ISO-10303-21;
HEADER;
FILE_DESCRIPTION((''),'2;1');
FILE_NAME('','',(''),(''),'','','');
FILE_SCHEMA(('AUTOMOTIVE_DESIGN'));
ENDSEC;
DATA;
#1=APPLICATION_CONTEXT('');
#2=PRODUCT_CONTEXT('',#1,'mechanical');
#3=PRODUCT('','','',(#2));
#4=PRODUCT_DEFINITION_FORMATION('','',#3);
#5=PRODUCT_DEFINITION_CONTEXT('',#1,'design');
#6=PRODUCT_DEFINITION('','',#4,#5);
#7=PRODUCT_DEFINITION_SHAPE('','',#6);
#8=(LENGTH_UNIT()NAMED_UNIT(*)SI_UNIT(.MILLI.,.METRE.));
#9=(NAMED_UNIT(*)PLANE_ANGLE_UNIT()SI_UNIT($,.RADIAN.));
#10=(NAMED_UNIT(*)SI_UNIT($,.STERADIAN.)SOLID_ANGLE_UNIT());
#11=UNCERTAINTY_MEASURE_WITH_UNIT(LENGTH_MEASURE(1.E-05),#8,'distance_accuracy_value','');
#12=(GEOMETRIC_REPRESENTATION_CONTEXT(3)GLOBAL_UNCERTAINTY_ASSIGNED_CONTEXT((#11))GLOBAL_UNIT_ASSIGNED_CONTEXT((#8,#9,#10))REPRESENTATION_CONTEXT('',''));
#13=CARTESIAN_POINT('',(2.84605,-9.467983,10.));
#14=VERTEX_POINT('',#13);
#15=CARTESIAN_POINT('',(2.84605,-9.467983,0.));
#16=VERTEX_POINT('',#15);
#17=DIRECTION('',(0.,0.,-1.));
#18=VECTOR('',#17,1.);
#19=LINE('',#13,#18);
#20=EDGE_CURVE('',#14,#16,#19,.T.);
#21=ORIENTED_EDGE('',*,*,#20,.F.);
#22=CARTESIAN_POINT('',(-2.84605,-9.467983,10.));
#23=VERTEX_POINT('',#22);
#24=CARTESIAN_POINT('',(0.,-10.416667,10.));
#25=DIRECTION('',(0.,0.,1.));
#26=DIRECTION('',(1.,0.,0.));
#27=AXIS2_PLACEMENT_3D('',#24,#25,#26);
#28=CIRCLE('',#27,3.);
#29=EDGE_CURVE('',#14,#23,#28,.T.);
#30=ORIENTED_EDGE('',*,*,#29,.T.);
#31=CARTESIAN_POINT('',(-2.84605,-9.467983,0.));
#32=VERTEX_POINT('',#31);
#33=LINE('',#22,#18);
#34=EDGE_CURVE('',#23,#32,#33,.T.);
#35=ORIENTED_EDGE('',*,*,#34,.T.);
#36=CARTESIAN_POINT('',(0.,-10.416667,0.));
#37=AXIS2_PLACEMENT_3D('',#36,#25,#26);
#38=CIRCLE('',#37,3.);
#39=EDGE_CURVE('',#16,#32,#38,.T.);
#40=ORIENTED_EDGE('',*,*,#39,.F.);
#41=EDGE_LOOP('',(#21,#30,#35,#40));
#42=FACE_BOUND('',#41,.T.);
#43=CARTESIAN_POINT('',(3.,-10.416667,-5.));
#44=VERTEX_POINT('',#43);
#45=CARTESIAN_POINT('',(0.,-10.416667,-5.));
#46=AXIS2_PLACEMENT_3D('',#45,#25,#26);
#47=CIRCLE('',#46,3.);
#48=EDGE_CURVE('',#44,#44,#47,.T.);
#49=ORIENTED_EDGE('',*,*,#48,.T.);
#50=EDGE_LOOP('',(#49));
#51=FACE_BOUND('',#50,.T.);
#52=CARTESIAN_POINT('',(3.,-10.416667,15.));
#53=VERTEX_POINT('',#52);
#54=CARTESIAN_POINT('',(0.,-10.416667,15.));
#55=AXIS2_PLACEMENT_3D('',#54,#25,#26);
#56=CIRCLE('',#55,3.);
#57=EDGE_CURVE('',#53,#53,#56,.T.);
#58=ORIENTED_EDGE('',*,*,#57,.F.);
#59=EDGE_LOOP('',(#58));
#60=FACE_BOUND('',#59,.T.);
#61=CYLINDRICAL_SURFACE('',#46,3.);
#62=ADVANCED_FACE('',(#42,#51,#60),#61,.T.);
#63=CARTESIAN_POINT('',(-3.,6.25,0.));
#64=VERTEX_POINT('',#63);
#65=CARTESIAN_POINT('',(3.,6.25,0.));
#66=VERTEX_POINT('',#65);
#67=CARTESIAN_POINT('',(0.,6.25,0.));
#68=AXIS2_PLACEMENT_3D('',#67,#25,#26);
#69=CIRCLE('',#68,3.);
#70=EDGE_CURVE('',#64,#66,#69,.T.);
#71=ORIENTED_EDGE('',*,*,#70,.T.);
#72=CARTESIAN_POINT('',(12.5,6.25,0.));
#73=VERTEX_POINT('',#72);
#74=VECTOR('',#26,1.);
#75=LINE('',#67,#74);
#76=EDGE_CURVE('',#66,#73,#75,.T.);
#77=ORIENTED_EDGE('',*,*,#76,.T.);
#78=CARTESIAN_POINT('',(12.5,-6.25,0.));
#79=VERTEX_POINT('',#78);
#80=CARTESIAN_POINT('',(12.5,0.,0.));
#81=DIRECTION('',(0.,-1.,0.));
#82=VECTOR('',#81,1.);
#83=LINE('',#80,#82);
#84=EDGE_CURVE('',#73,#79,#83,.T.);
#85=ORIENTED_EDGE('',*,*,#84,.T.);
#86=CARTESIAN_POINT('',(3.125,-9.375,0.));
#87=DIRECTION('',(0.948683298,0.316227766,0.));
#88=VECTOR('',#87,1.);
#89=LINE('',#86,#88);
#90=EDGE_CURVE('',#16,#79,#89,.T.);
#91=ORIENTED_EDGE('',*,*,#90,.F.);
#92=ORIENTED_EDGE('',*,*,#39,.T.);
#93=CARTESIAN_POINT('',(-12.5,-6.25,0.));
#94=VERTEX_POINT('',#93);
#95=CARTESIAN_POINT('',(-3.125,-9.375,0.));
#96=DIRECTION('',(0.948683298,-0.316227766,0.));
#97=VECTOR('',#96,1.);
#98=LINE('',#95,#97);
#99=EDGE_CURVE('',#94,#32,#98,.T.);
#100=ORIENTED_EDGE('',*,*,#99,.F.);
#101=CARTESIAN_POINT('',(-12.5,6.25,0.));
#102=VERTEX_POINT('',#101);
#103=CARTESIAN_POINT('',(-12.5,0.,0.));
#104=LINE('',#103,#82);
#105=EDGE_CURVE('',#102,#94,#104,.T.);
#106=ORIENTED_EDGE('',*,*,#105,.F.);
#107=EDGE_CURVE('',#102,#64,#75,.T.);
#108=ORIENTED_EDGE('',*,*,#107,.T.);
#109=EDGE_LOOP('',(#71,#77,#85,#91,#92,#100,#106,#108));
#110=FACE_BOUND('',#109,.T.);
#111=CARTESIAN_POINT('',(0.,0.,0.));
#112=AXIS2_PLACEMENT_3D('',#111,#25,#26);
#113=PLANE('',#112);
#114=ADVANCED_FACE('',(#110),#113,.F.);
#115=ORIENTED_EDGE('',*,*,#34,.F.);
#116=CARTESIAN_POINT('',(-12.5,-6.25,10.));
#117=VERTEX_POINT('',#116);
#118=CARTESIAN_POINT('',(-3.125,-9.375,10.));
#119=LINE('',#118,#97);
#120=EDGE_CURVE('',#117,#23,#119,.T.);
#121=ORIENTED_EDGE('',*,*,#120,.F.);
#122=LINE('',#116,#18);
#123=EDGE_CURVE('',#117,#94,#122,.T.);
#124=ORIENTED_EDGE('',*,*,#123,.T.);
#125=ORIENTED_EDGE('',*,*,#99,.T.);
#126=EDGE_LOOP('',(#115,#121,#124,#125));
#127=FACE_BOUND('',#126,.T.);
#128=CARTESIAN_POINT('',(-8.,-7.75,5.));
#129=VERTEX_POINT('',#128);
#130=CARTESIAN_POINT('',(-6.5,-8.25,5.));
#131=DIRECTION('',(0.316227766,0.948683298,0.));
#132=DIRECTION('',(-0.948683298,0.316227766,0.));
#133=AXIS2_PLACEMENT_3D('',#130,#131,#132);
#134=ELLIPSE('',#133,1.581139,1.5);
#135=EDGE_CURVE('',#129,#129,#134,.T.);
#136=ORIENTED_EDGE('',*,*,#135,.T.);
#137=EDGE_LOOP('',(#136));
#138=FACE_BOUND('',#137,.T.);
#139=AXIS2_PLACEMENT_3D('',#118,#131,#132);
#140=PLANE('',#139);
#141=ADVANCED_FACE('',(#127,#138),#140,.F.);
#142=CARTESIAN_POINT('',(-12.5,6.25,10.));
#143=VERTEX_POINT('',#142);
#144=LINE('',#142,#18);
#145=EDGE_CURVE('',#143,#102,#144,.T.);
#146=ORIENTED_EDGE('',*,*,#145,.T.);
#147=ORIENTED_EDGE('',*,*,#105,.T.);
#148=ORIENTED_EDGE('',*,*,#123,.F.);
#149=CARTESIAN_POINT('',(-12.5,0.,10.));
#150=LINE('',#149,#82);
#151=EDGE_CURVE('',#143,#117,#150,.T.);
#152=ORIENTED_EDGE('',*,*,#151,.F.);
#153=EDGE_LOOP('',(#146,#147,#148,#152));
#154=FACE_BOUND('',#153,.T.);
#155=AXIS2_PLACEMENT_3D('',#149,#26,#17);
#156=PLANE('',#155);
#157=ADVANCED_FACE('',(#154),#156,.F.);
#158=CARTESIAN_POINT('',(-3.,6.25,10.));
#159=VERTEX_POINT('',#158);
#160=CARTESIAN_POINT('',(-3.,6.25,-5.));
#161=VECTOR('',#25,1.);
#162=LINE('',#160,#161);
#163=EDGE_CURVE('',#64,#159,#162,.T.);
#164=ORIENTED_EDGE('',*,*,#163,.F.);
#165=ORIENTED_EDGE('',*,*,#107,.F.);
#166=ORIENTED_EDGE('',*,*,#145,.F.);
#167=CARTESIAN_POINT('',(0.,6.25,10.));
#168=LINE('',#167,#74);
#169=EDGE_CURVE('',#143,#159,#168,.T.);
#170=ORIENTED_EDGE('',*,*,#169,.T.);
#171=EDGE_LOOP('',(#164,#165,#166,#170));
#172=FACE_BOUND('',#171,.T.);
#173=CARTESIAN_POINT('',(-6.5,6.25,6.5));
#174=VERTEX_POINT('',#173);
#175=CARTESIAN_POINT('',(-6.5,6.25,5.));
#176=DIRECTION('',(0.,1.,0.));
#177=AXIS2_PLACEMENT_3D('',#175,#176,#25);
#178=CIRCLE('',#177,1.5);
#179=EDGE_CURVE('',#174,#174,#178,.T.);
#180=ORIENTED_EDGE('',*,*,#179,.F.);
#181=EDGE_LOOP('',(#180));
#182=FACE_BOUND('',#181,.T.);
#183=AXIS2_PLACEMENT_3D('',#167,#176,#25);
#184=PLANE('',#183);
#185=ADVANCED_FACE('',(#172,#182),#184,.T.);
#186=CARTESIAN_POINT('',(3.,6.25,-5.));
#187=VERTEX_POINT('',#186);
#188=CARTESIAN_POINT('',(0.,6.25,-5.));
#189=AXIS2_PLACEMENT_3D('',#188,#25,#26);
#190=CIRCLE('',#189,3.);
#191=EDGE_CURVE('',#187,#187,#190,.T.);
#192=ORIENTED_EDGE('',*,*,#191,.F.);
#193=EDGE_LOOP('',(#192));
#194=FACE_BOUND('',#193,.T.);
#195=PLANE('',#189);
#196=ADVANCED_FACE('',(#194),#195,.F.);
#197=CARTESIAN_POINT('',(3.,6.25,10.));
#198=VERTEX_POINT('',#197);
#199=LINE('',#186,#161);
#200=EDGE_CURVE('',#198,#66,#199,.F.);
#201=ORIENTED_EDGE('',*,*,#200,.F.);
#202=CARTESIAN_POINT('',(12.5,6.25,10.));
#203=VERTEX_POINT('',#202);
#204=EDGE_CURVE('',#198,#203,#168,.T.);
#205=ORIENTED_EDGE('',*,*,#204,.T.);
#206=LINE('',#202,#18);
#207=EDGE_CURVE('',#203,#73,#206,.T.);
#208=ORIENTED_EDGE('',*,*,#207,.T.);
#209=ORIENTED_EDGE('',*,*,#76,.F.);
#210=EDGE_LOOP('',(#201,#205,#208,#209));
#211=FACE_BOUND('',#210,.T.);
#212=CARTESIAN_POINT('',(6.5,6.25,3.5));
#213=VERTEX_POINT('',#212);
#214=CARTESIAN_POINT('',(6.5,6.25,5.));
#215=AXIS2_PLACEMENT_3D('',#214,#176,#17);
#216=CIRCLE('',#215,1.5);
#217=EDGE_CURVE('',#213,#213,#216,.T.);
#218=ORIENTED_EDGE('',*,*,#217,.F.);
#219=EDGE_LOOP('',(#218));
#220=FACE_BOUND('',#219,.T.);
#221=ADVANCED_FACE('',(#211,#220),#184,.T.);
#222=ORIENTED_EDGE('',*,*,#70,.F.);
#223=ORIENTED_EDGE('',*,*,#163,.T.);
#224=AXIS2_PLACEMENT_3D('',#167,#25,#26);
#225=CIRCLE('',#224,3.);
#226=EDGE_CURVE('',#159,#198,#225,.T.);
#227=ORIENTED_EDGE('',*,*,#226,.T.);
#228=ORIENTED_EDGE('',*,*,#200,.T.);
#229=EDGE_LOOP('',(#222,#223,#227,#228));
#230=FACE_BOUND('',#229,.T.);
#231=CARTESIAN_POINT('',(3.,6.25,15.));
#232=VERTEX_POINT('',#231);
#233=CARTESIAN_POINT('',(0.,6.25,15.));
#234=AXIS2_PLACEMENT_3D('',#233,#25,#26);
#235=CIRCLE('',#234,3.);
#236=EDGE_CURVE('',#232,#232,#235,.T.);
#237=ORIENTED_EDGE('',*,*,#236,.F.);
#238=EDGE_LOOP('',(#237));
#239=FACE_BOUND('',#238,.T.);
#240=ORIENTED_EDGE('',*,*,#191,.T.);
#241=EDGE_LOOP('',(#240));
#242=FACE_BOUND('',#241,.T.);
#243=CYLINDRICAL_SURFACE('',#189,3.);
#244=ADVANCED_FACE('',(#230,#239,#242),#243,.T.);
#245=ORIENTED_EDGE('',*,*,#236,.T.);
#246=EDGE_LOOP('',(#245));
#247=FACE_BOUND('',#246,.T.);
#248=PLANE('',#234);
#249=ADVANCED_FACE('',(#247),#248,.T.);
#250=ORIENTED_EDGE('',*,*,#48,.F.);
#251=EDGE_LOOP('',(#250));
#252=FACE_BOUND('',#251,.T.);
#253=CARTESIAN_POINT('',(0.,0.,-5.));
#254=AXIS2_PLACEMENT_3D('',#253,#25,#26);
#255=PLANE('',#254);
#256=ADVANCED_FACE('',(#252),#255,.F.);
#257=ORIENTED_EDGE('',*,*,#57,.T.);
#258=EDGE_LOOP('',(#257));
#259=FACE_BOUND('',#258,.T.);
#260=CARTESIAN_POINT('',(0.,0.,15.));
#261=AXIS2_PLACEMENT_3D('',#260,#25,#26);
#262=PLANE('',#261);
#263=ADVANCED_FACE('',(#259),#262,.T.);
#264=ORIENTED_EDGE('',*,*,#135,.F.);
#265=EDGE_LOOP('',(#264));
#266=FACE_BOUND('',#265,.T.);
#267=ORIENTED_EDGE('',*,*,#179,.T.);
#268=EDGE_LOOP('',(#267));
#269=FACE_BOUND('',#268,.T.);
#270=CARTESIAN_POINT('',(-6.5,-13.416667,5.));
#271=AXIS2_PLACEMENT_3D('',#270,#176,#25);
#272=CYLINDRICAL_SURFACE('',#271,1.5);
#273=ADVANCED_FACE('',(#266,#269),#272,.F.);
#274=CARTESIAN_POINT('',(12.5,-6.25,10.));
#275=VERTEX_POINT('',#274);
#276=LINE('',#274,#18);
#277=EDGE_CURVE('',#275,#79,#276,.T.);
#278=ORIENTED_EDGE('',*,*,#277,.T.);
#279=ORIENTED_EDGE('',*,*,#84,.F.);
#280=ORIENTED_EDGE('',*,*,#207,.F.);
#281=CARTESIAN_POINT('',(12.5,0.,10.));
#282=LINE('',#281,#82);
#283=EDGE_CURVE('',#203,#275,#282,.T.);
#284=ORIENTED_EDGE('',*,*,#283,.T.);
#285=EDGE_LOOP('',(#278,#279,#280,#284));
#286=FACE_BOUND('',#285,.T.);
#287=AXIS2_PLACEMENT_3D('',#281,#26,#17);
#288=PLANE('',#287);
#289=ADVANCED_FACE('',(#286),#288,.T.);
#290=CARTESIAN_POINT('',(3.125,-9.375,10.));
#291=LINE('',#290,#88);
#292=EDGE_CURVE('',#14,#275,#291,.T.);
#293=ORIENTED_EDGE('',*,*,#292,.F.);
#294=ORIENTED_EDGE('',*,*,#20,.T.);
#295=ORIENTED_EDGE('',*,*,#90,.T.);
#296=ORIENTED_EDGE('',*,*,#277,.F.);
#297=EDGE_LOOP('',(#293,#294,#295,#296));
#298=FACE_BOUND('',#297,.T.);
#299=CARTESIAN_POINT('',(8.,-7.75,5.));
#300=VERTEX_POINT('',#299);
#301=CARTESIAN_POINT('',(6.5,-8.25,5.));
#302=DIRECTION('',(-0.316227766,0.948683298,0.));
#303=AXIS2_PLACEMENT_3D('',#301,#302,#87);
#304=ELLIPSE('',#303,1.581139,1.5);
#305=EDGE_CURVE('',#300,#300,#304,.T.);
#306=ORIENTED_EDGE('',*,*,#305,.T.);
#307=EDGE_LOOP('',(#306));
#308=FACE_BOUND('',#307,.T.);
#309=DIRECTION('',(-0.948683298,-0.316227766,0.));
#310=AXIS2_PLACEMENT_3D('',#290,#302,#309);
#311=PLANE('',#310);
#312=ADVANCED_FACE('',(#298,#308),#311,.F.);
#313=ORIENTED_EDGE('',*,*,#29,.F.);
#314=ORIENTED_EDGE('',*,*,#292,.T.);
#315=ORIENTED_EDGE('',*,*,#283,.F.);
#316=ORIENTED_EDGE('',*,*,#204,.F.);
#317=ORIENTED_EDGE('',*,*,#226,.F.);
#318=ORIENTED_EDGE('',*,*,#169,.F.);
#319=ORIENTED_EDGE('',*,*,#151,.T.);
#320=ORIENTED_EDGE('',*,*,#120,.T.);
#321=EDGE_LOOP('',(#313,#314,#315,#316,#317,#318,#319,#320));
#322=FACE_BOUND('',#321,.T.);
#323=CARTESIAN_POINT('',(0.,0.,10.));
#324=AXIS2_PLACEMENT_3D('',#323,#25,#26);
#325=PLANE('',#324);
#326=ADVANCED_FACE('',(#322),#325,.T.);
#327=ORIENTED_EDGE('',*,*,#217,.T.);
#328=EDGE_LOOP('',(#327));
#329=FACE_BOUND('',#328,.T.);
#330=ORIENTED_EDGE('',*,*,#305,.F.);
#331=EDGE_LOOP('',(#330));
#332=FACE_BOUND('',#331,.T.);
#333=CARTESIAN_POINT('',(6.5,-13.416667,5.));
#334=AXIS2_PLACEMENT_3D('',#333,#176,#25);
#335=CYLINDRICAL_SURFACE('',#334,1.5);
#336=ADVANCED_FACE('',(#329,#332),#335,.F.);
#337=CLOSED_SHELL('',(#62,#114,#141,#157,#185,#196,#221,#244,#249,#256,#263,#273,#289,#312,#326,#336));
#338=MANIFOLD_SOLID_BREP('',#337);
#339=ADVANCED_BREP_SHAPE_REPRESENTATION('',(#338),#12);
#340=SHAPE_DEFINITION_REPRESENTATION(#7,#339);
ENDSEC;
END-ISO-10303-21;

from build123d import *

# Parameters (mm, degrees)
BOSS_EXTRUDE1_DEPTH      = 10
BOSS_EXTRUDE2_DEPTH      = 15
BOSS_EXTRUDE2_DEPTH_BACK = 5
SKETCH2_R                = 1.5
CUT_EXTRUDE1_DEPTH       = 28.713314089
BOSS_EXTRUDE3_DEPTH      = 5
BOSS_EXTRUDE3_DEPTH_BACK = 15
SKETCH3_R                = 3


with BuildPart() as part:
    # Sketch1 → Boss-Extrude1 (new body)
    with BuildSketch(Plane.XY):
        with BuildLine():
            Line((-12.5, 6.25), (-12.5, -6.25))
            Line((-12.5, -6.25), (-2.846049894, -9.467983369))
            ThreePointArc((-2.846049894, -9.467983369), (0, -7.416666667), (2.846049894, -9.467983369))
            Line((2.846049894, -9.467983369), (12.5, -6.25))
            Line((12.5, -6.25), (12.5, 6.25))
            Line((12.5, 6.25), (-12.5, 6.25))
        make_face()
    extrude(amount=BOSS_EXTRUDE1_DEPTH)

    # Sketch1<3> → Boss-Extrude2 (add, two sides: drawn at the far end of the back side and taken through both)
    with BuildSketch(Plane.XY.offset(-BOSS_EXTRUDE2_DEPTH_BACK)):
        with BuildLine():
            ThreePointArc((2.846049894, -9.467983369), (0, -7.416666667), (-2.846049894, -9.467983369))
            ThreePointArc((-2.846049894, -9.467983369), (-0.480546729, -13.37792904), (3, -10.416666667))
            ThreePointArc((3, -10.416666667), (2.961262373, -9.936119938), (2.846049894, -9.467983369))
        make_face()
    extrude(amount=BOSS_EXTRUDE2_DEPTH + BOSS_EXTRUDE2_DEPTH_BACK)

    # Sketch2 → Cut-Extrude1 (cut, through all)
    with BuildSketch(Plane(origin=(0, 6.25, 0), x_dir=(1, 0, 0), z_dir=(0, 1, 0))):
        with Locations((-6.5, -5)):
            Circle(SKETCH2_R)
        with Locations((6.5, -5)):
            Circle(SKETCH2_R)
    extrude(amount=-CUT_EXTRUDE1_DEPTH, mode=Mode.SUBTRACT)

    # Sketch3 → Boss-Extrude3 (add, two sides: drawn at the far end of the back side and taken through both)
    with BuildSketch(Plane.XY.offset(10).offset(-BOSS_EXTRUDE3_DEPTH_BACK)):
        with Locations((0, 6.25)):
            Circle(SKETCH3_R)
    extrude(amount=BOSS_EXTRUDE3_DEPTH + BOSS_EXTRUDE3_DEPTH_BACK)


solid = part.part
